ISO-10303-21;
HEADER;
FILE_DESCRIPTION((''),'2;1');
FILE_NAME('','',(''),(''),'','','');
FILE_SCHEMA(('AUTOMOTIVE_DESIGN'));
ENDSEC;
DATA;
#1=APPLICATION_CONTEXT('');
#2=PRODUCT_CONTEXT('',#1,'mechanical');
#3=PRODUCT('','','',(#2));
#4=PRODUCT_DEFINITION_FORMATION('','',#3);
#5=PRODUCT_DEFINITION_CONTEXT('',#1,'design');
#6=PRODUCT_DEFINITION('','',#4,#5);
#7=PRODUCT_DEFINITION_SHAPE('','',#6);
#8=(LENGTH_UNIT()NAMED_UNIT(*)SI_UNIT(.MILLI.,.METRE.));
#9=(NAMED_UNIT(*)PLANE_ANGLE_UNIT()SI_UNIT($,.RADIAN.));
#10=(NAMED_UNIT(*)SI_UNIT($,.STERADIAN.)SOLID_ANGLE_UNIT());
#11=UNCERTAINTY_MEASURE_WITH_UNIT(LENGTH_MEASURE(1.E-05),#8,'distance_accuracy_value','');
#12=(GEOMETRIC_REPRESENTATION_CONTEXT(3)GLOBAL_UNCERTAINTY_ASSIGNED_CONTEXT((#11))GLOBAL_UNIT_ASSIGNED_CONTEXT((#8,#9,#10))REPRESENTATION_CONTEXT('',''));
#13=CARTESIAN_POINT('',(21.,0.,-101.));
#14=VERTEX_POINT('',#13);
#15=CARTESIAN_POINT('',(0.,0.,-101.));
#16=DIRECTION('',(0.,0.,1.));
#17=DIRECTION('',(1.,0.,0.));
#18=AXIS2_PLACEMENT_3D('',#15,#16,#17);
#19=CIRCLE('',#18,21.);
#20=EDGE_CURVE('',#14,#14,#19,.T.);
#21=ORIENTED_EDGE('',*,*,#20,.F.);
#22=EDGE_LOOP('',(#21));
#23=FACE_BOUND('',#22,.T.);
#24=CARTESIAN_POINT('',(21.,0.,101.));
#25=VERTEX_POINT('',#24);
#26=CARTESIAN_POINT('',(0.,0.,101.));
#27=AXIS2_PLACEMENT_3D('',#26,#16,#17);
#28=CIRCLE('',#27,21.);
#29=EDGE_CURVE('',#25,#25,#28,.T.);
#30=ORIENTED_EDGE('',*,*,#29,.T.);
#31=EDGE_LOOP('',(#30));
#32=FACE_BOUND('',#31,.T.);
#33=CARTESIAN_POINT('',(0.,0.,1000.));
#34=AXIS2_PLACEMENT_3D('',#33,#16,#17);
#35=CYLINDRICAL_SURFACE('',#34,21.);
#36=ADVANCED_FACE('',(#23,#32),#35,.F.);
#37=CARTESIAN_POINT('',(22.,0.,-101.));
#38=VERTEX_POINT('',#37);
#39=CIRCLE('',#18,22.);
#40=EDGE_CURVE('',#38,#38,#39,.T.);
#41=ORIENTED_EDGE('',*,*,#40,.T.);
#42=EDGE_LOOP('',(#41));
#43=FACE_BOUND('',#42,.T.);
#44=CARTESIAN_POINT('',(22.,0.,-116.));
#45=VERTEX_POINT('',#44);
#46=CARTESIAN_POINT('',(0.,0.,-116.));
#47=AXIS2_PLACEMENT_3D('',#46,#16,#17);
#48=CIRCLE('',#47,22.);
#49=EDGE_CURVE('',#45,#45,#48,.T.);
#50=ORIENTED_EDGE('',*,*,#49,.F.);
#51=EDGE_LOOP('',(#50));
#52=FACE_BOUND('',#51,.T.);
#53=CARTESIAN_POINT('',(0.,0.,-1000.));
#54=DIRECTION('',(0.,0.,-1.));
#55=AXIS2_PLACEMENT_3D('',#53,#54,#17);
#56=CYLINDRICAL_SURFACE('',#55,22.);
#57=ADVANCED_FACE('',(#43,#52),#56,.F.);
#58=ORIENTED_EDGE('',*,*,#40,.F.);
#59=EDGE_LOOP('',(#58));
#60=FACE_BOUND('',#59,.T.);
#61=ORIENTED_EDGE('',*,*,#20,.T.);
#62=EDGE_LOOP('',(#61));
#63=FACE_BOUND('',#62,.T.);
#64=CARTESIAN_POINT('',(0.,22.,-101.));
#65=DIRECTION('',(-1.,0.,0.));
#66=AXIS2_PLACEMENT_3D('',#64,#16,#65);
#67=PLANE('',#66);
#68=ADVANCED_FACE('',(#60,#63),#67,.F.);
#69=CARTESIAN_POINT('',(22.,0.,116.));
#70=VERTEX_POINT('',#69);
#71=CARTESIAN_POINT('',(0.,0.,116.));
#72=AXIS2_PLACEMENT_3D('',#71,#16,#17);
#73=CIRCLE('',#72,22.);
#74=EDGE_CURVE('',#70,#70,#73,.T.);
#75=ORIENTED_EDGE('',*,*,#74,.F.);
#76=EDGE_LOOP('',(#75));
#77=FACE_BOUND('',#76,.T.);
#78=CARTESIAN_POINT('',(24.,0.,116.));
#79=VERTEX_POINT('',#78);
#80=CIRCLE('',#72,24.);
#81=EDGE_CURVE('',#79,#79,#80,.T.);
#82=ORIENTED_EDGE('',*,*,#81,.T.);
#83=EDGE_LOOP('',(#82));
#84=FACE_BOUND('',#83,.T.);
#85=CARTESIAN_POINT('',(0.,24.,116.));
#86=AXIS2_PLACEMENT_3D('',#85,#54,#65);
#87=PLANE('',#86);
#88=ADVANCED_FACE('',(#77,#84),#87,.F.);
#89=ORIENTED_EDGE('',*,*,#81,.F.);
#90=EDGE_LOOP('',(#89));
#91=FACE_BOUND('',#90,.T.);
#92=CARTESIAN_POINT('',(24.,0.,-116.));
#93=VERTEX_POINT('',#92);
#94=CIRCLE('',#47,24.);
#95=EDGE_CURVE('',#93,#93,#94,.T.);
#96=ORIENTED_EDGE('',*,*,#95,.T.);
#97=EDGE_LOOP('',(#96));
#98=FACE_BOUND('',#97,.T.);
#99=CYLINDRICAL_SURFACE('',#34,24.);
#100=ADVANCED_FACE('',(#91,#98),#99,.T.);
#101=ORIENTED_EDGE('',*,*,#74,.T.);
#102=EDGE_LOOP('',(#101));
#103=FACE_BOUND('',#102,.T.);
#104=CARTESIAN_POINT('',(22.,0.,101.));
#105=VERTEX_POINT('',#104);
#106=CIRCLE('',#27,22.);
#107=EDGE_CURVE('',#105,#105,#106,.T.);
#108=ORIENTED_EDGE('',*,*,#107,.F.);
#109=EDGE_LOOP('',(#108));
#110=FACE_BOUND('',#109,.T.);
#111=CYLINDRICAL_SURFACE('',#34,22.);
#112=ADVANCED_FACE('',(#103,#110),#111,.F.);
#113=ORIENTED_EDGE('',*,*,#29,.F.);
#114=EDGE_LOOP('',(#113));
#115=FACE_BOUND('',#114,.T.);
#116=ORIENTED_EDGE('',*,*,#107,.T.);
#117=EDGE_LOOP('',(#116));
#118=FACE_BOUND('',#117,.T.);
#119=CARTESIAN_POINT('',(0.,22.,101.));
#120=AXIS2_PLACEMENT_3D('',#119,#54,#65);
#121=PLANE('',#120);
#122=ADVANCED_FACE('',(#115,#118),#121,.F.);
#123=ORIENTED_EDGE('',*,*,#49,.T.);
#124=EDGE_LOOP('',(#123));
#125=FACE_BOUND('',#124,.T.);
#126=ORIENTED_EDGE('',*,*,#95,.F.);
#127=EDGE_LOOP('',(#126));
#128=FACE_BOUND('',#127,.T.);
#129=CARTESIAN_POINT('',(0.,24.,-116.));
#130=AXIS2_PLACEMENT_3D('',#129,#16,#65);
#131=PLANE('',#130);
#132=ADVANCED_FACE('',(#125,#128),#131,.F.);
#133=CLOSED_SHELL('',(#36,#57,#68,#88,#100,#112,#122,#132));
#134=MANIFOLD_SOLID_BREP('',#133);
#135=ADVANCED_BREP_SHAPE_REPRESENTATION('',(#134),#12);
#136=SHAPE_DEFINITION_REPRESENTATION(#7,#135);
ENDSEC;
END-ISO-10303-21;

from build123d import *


with BuildPart() as part:
    # Эскиз1 → Повернуть1 (revolve)
    with BuildSketch(Plane(origin=(0, 0, 0), x_dir=(0, 0, -1), z_dir=(1, 0, 0)), mode=Mode.PRIVATE) as revolve_1_sk:
        Polygon((0, 24), (-116, 24), (-116, 22), (-101, 22), (-101, 21), (0, 21), align=None)
    revolve_1 = revolve(revolve_1_sk.sketch.rotate(Axis((0, 0, 1000), (0, 0, -1)), 90), axis=Axis((0, 0, 1000), (0, 0, -1)))

    # Зеркальное отражение1: Повернуть1 across plane
    add(revolve_1.mirror(Plane(origin=(0, 24, 0), x_dir=(1, 0, 0), z_dir=(0, 0, 1))))


solid = part.part
